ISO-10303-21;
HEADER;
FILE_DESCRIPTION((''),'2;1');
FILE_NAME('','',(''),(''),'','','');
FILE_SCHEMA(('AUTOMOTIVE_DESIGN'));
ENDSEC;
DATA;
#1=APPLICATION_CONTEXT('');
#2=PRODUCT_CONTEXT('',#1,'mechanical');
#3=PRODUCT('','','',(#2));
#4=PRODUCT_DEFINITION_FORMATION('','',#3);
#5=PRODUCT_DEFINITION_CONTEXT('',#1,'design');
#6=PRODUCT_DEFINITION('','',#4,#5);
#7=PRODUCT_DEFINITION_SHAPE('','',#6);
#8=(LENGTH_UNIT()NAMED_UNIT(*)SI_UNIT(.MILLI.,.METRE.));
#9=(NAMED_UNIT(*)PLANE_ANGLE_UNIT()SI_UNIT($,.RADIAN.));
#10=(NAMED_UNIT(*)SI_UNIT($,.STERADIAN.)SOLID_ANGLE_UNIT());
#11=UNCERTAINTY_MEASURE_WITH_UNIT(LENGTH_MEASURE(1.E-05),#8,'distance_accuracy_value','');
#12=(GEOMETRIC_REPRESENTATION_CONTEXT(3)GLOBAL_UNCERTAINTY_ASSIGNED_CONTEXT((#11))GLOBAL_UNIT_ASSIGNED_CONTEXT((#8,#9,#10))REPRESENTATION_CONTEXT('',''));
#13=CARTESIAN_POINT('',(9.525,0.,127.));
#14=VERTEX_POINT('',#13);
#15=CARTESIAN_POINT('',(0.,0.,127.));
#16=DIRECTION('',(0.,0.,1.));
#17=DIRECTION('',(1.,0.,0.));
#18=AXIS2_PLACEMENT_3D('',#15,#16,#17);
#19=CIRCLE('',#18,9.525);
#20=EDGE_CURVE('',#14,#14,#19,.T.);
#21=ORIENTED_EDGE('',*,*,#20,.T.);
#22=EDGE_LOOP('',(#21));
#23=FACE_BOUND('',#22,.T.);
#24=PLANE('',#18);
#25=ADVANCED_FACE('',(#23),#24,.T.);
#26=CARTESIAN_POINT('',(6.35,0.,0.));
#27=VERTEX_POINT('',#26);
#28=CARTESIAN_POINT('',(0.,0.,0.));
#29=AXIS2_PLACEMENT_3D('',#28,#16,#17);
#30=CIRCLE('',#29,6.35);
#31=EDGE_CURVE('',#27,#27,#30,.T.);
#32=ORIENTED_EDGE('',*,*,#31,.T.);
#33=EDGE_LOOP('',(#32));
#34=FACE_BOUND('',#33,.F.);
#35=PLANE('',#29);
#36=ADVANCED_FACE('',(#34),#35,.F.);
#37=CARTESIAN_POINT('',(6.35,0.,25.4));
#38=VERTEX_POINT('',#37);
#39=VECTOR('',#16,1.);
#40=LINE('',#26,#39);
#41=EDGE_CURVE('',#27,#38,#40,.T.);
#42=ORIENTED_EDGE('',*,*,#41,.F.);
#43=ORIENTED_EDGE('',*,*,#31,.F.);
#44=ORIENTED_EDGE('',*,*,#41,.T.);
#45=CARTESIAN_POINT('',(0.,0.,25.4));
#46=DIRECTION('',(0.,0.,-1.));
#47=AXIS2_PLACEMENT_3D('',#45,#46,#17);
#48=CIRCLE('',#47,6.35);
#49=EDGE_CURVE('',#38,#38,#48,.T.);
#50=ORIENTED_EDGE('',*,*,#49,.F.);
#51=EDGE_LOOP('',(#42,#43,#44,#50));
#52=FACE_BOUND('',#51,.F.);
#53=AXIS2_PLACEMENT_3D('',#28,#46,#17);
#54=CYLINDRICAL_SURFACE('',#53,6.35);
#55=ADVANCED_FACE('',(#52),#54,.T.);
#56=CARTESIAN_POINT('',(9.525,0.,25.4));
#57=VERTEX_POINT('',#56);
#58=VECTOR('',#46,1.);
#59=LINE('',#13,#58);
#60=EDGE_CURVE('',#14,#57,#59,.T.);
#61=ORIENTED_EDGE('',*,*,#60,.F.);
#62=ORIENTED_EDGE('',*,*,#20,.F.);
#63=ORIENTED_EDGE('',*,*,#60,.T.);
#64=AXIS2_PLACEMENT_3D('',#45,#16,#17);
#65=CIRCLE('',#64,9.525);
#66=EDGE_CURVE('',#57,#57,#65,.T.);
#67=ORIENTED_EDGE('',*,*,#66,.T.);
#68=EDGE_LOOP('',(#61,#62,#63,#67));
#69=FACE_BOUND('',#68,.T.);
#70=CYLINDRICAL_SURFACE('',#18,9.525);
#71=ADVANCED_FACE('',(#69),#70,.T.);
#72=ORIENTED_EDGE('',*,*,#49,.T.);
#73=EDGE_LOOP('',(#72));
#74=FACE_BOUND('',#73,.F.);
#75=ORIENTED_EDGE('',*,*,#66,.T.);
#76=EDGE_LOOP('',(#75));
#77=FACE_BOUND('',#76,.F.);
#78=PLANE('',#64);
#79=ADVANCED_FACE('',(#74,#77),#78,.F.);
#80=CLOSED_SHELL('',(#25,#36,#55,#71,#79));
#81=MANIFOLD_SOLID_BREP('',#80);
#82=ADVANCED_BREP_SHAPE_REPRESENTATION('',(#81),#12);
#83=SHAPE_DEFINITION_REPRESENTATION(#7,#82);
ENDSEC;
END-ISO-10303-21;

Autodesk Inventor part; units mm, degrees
ref_plane "YZ Plane" through (0, 0, 0) normal (1, 0, 0) x (0, 1, 0)
ref_plane "XZ Plane" through (0, 0, 0) normal (0, 1, 0) x (-1, 0, 0)
ref_plane "XY Plane" through (0, 0, 0) normal (0, 0, 1) x (1, 0, 0)
sketch "Sketch1" plane through (0, 0, 0) normal (0, 0, 1) x (1, 0, 0)
  circle A0 centre (0, 0) radius 6.35
  dimension "d0" = 12.7
extrude "Extrusion1" add sketch "Sketch1" along normal blind 127
sketch "Sketch2" plane through (0, 0, 127) normal (0, 0, 1) x (1, 0, 0)
  circle A0 centre (0, 0) radius 9.525
  dimension "d3" = 19.05
extrude "Extrusion2" add sketch "Sketch2" against normal blind 101.6
properties part number "CrankHandle_SBail"
